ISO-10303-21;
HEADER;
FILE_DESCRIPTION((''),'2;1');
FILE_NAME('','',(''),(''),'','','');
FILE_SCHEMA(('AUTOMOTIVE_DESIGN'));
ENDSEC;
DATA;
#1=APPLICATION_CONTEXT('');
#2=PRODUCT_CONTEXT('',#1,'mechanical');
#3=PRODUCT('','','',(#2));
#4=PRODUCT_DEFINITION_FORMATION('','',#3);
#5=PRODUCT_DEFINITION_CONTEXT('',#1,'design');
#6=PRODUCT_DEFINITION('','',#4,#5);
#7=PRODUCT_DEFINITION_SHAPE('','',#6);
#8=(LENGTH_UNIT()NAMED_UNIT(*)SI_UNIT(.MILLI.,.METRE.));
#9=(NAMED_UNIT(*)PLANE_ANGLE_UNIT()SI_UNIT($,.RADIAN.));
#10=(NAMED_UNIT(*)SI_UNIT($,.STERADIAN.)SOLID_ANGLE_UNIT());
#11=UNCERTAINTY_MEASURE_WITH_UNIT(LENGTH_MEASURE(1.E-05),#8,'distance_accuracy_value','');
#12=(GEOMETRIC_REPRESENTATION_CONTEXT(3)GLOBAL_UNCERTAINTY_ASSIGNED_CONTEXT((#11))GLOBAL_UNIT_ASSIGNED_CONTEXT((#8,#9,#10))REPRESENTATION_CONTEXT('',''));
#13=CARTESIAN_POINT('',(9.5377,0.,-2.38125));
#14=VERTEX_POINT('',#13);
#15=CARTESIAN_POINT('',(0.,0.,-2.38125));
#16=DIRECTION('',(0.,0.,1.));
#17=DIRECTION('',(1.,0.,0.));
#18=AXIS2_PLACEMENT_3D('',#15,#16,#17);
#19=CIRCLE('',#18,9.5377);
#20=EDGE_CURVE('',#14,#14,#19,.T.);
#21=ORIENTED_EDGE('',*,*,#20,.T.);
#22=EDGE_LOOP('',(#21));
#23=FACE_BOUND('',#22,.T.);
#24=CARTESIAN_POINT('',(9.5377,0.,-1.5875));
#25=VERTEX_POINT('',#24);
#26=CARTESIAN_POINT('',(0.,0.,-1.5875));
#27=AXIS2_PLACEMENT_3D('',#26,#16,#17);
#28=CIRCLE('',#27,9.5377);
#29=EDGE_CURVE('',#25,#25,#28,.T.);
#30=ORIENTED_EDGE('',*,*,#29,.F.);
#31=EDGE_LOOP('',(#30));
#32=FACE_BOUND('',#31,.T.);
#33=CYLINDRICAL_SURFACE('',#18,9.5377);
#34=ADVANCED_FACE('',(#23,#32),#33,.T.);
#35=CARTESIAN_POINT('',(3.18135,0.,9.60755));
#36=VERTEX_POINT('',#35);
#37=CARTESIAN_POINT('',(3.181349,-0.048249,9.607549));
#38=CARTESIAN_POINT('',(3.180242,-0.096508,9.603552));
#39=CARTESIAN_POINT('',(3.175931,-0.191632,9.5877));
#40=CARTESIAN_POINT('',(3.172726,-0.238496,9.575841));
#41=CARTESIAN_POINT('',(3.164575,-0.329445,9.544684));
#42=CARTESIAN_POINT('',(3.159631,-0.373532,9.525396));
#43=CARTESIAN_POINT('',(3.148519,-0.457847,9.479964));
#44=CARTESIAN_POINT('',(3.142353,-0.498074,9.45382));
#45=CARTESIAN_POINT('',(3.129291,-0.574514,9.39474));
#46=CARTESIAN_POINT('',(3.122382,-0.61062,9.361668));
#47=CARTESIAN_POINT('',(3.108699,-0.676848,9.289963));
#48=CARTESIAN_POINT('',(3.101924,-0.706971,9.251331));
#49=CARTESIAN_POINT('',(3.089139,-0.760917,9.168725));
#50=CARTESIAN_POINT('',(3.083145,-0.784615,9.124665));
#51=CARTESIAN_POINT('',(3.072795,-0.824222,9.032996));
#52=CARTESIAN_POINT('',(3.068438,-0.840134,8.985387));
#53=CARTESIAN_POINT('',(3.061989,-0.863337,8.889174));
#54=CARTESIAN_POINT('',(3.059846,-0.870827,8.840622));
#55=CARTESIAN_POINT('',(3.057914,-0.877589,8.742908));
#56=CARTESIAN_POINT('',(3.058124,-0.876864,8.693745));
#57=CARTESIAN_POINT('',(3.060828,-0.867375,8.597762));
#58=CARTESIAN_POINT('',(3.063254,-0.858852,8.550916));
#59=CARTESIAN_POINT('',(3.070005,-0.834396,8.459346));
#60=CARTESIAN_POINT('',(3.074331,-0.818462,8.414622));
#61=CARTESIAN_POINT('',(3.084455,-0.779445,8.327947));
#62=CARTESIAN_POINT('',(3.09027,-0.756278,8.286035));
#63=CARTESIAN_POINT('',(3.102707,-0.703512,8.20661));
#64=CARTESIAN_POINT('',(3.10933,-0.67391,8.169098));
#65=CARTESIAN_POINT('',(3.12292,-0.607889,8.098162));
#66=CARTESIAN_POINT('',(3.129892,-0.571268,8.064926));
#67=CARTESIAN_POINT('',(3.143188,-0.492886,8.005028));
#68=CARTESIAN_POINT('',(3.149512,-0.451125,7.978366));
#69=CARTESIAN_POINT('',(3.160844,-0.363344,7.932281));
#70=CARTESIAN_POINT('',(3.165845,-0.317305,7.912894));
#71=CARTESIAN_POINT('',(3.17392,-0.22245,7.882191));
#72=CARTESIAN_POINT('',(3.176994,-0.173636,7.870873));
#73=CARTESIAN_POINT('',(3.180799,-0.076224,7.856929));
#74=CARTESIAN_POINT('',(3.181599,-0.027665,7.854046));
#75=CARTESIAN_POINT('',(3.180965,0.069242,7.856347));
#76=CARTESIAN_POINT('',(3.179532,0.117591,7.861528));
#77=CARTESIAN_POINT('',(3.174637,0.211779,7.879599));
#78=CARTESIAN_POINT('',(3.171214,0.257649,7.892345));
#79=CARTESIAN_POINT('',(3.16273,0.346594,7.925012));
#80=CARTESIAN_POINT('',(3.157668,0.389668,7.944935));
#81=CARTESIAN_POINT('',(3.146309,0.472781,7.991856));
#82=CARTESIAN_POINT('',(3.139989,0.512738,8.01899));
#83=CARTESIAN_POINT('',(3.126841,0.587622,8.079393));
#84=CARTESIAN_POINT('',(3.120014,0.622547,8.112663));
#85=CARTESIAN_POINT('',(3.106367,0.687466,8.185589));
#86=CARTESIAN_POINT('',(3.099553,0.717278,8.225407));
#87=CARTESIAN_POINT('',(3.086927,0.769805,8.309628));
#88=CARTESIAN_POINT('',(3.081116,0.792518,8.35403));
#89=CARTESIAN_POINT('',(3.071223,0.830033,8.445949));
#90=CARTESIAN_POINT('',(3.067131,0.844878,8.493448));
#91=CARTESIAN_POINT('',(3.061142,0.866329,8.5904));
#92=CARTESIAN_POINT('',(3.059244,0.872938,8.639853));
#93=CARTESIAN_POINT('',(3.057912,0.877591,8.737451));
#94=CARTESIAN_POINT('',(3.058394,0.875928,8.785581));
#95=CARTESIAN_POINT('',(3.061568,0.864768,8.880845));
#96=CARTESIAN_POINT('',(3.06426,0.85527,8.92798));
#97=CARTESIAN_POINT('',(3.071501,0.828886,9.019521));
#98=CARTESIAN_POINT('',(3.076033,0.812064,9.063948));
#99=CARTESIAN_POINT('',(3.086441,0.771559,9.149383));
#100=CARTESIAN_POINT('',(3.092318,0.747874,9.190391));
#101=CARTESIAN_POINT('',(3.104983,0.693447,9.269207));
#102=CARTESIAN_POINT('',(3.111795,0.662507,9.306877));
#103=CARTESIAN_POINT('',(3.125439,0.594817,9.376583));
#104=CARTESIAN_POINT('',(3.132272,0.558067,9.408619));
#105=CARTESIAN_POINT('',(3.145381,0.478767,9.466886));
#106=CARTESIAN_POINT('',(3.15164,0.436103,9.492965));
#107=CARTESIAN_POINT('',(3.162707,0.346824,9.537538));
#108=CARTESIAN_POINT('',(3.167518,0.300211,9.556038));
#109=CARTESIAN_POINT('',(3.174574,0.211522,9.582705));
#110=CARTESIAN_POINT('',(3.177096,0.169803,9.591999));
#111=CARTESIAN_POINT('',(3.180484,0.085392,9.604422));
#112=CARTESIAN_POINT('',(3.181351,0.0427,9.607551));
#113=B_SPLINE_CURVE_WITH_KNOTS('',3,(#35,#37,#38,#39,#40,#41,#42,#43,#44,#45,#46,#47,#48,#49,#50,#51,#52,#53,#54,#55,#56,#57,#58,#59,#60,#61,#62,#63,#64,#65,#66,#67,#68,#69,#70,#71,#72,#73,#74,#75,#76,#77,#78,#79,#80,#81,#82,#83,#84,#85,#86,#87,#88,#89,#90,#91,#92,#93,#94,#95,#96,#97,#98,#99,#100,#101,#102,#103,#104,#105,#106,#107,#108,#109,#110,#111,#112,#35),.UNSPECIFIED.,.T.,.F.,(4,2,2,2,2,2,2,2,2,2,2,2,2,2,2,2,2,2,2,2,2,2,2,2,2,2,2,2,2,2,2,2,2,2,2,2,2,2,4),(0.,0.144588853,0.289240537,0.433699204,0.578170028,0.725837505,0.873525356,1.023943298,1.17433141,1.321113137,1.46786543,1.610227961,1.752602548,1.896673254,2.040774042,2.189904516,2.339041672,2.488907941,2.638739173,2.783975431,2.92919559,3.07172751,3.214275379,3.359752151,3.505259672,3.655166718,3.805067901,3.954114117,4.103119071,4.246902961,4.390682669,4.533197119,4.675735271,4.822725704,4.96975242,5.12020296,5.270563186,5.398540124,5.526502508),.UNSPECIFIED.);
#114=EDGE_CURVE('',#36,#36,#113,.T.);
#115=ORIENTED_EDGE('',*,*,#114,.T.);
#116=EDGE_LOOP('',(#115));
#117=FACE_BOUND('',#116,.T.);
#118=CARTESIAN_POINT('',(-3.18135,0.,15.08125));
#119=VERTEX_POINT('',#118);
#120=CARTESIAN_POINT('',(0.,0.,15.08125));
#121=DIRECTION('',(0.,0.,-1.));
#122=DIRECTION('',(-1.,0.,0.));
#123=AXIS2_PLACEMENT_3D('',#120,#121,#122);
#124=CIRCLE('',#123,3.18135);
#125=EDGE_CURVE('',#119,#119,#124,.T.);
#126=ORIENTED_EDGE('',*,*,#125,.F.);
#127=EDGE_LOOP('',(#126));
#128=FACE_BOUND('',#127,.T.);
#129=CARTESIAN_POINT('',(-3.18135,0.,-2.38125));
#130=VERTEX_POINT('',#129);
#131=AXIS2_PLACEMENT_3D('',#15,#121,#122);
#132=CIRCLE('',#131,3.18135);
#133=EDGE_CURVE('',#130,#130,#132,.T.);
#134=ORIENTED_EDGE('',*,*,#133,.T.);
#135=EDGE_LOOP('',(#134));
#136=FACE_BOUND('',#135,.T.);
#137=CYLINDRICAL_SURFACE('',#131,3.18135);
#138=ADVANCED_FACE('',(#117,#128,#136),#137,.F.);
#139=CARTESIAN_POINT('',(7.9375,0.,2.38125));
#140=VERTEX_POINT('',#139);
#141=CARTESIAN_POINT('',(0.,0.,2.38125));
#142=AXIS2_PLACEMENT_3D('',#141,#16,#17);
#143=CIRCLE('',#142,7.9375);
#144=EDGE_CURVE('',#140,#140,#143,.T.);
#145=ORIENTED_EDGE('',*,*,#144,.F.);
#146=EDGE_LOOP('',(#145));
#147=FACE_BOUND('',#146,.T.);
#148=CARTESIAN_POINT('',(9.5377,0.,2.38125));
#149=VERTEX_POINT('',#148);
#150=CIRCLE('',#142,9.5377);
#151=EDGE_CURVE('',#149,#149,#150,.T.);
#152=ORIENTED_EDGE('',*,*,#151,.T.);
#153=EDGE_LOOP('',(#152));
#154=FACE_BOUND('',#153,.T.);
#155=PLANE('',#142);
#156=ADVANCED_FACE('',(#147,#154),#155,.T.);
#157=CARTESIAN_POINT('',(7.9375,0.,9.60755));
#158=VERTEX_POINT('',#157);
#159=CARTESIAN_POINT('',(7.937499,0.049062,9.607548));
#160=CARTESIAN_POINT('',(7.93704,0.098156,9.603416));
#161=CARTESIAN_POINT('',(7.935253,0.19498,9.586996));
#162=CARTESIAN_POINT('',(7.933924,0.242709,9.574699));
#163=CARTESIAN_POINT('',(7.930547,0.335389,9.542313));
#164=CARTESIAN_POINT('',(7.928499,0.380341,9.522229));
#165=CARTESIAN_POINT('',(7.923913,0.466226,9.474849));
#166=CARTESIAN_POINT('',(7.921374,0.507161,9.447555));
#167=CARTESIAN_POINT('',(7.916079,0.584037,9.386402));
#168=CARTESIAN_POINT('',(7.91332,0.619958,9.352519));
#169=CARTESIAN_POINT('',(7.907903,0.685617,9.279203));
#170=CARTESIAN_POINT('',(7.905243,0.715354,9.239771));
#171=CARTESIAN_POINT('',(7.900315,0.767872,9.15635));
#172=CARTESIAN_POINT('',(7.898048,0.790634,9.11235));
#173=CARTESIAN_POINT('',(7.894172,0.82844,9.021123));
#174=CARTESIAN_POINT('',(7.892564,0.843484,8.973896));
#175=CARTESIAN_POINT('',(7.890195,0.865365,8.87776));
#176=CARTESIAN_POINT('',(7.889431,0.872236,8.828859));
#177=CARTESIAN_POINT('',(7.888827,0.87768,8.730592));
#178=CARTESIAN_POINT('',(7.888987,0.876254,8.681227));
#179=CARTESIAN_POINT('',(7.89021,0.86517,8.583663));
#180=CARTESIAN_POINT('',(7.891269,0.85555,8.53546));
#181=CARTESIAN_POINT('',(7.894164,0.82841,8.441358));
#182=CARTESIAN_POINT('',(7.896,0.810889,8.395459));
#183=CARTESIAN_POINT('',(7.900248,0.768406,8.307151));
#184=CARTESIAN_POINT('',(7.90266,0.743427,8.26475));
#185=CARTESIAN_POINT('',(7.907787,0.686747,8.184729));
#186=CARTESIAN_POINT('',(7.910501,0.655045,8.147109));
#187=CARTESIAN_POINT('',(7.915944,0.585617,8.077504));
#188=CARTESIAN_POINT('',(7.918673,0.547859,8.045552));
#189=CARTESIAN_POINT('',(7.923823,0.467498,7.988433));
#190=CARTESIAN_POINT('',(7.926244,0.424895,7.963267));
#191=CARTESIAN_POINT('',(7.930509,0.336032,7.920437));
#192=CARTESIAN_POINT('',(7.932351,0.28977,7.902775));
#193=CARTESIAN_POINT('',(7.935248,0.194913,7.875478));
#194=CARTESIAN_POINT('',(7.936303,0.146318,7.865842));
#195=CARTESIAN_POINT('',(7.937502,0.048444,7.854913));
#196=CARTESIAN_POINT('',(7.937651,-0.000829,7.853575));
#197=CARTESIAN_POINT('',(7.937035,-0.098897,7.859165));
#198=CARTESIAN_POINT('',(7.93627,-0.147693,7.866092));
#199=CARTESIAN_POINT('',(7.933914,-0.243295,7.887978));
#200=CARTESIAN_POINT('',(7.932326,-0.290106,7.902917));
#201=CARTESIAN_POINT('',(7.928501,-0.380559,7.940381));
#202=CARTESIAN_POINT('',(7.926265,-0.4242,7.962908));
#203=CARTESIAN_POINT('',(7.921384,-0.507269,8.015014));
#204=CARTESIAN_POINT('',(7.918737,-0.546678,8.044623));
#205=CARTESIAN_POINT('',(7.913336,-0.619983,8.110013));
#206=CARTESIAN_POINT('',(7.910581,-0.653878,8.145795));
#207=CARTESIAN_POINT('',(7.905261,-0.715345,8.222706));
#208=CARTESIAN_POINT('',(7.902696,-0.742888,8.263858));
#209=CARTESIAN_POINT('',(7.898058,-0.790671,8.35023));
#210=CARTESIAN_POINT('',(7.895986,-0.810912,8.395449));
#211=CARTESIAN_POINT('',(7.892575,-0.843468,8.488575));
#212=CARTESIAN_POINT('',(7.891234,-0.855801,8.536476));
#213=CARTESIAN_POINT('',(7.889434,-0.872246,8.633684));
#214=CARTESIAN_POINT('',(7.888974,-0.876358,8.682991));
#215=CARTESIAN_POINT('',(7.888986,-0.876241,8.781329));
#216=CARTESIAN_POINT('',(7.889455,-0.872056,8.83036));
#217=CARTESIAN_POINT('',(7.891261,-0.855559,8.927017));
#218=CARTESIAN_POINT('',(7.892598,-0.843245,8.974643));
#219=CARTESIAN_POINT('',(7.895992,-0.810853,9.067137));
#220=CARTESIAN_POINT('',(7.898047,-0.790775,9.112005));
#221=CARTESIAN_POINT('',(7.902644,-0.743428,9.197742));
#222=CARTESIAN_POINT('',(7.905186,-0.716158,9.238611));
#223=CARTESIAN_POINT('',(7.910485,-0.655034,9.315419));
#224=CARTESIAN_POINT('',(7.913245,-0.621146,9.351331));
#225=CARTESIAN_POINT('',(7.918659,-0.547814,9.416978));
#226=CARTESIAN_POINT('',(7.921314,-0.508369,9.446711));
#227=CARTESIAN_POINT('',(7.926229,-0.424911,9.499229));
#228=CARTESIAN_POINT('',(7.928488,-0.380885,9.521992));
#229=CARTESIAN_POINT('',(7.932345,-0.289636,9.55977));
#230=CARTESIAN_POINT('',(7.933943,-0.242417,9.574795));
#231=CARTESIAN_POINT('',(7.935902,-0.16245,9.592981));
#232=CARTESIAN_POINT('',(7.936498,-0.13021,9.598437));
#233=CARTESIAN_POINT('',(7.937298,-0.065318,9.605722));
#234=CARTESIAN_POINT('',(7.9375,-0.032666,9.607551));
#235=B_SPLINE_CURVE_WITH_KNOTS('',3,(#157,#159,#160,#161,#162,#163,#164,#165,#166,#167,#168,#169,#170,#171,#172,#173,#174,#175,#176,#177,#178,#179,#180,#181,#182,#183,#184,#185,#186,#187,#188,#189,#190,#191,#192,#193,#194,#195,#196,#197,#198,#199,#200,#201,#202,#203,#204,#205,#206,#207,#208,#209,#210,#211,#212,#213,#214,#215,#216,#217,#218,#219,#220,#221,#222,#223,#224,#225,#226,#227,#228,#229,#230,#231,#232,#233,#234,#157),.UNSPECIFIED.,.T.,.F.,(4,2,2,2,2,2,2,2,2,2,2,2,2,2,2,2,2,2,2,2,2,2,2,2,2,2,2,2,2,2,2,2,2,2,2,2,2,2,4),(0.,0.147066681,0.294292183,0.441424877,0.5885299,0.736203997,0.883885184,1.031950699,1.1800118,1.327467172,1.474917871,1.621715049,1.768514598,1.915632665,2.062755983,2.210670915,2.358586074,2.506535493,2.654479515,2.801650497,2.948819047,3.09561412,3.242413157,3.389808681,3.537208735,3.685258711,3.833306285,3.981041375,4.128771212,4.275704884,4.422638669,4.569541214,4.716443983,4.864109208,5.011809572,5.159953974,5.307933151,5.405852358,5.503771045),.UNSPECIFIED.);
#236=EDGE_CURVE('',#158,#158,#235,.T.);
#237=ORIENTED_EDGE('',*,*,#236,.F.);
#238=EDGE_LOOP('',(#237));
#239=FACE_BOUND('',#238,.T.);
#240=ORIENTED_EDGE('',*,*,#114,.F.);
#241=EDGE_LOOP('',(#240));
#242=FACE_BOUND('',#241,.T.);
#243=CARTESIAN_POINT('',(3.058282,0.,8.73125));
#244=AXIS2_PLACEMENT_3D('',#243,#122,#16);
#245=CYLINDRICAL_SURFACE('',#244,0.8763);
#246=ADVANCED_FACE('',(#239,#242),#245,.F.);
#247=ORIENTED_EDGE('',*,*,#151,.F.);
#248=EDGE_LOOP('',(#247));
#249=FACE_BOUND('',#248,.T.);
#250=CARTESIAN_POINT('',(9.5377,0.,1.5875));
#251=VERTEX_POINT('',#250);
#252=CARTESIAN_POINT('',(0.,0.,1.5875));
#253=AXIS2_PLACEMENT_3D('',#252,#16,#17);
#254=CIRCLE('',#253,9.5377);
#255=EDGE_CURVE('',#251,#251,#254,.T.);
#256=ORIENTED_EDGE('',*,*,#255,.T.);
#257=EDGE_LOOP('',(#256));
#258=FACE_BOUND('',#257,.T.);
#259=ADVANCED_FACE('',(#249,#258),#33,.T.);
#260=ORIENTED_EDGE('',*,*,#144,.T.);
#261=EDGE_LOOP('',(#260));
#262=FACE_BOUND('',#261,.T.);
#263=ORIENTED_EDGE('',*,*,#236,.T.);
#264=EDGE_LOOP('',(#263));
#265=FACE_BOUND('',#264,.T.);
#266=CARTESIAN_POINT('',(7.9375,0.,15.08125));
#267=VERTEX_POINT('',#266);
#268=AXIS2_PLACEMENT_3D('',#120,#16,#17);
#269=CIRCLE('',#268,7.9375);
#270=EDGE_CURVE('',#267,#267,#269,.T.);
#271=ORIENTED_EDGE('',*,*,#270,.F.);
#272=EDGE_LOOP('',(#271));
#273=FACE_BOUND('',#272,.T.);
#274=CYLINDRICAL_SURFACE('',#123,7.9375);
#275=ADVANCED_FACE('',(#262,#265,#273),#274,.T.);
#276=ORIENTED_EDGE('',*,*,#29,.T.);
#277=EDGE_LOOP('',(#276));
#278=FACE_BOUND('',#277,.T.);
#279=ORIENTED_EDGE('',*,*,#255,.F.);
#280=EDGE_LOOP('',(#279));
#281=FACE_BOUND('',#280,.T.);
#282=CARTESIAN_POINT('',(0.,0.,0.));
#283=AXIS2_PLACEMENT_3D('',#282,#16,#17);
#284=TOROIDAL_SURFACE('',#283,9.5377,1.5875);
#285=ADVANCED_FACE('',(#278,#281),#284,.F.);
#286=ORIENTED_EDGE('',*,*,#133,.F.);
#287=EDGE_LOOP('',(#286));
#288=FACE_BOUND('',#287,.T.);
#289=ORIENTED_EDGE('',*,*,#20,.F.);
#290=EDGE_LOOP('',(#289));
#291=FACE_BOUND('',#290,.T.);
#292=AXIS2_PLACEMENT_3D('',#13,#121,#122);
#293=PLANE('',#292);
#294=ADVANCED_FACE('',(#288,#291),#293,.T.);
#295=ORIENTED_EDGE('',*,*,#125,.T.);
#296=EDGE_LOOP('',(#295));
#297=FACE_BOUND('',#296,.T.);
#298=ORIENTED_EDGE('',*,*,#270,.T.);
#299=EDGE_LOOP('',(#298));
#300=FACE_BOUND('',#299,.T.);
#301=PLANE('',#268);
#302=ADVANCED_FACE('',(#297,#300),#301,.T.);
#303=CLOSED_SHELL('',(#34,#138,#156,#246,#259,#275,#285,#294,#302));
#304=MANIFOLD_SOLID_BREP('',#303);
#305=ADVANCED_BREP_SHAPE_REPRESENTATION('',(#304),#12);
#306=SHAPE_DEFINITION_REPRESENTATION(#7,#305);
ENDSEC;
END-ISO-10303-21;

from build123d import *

# Parameters (mm, degrees)
SKETCH2_R           = 7.9375
BOSS_EXTRUDE1_DEPTH = 12.7
HOLE1_D             = 6.3627
SKETCH5_W           = 0.8763
SKETCH5_H           = 6.479418435


with BuildPart() as part:
    # Sketch1 → Revolve1 (revolve)
    with BuildSketch(Plane(origin=(0, 0, 0), x_dir=(1, 0, 0), z_dir=(0, 1, 0))):
        with BuildLine():
            Line((9.5377, 2.38125), (0, 2.38125))
            Line((0, 2.38125), (0, -2.38125))
            Line((0, -2.38125), (9.5377, -2.38125))
            Line((9.5377, -2.38125), (9.5377, -1.5875))
            ThreePointArc((9.5377, -1.5875), (7.9502, 0), (9.5377, 1.5875))
            Line((9.5377, 1.5875), (9.5377, 2.38125))
        make_face()
    revolve(axis=Axis((0, 0, -2.38125), (0, 0, 1)))

    # Sketch2 → Boss-Extrude1 (add)
    with BuildSketch(Plane.XY.offset(2.38125)):
        Circle(SKETCH2_R)
    extrude(amount=BOSS_EXTRUDE1_DEPTH)

    # Hole1 (through all)
    with Locations(Plane(origin=(0, 0, -2.38125), x_dir=(-1, 0, 0), z_dir=(0, 0, -1))):
        with Locations((0, 0)):
            Hole(HOLE1_D / 2)

    # Sketch5 → M1.6 Clearance Hole1 (revolve, cut)
    with BuildSketch(Plane(origin=(3.058281565, 0, 8.73125), x_dir=(0, 0, 1), z_dir=(0, 1, 0))):
        with Locations((0.43815, 3.239709218)):
            Rectangle(SKETCH5_W, SKETCH5_H)
    revolve(axis=Axis((-3.291718435, 0, 8.73125), (1, 0, 0)), mode=Mode.SUBTRACT)


solid = part.part
